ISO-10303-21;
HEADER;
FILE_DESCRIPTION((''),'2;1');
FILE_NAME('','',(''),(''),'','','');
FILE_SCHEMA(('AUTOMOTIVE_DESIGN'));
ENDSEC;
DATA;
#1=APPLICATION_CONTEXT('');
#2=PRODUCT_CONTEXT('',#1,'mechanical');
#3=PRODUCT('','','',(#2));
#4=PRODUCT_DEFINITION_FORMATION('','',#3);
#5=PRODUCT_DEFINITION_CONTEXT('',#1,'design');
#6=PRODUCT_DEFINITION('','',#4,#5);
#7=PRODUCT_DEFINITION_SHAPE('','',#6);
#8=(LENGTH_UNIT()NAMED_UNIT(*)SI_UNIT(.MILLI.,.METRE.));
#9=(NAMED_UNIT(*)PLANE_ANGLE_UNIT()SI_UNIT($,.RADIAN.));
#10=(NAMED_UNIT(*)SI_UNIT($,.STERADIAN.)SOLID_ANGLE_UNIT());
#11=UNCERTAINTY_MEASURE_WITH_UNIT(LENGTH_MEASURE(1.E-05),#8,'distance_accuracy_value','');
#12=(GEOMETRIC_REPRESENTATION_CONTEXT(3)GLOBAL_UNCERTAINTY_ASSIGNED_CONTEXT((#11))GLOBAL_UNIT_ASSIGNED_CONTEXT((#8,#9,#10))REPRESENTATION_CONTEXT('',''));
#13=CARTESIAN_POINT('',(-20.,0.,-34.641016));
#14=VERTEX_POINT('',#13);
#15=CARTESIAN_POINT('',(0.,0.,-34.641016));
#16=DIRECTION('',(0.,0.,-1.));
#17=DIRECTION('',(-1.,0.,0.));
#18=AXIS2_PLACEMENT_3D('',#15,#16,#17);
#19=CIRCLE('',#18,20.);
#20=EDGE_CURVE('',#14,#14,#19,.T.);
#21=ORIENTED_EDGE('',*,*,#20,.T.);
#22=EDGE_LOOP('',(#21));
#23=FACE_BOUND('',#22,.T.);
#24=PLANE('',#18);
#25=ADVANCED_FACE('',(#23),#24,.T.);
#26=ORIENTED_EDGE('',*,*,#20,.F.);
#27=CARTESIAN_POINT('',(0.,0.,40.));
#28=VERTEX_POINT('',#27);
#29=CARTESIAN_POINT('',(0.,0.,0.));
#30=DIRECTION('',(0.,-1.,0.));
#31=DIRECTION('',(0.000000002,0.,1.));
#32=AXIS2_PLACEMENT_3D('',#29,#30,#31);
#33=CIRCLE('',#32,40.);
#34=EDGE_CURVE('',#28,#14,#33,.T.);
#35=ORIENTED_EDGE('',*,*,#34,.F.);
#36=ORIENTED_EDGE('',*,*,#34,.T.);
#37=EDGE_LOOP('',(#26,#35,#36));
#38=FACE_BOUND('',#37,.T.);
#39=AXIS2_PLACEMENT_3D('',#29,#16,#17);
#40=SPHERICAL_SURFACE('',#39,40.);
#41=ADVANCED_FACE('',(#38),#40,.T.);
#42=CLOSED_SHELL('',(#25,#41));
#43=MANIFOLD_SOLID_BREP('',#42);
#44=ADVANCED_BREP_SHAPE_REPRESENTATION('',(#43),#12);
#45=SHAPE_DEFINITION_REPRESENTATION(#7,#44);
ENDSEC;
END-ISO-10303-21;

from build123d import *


with BuildPart() as f1:
    # F0 (on Front) → F1 (revolve)
    with BuildSketch(Plane.XZ):
        with BuildLine():
            ThreePointArc((0, 40), (-38.637033, 10.352762), (-20, -34.641016))
            Line((-20, -34.641016), (0, -34.641016))
            Line((0, -34.641016), (0, 40))
        make_face()
    revolve(axis=Axis((0, 0, 2.289247), (0, 0, -1)))


solid = f1.part
